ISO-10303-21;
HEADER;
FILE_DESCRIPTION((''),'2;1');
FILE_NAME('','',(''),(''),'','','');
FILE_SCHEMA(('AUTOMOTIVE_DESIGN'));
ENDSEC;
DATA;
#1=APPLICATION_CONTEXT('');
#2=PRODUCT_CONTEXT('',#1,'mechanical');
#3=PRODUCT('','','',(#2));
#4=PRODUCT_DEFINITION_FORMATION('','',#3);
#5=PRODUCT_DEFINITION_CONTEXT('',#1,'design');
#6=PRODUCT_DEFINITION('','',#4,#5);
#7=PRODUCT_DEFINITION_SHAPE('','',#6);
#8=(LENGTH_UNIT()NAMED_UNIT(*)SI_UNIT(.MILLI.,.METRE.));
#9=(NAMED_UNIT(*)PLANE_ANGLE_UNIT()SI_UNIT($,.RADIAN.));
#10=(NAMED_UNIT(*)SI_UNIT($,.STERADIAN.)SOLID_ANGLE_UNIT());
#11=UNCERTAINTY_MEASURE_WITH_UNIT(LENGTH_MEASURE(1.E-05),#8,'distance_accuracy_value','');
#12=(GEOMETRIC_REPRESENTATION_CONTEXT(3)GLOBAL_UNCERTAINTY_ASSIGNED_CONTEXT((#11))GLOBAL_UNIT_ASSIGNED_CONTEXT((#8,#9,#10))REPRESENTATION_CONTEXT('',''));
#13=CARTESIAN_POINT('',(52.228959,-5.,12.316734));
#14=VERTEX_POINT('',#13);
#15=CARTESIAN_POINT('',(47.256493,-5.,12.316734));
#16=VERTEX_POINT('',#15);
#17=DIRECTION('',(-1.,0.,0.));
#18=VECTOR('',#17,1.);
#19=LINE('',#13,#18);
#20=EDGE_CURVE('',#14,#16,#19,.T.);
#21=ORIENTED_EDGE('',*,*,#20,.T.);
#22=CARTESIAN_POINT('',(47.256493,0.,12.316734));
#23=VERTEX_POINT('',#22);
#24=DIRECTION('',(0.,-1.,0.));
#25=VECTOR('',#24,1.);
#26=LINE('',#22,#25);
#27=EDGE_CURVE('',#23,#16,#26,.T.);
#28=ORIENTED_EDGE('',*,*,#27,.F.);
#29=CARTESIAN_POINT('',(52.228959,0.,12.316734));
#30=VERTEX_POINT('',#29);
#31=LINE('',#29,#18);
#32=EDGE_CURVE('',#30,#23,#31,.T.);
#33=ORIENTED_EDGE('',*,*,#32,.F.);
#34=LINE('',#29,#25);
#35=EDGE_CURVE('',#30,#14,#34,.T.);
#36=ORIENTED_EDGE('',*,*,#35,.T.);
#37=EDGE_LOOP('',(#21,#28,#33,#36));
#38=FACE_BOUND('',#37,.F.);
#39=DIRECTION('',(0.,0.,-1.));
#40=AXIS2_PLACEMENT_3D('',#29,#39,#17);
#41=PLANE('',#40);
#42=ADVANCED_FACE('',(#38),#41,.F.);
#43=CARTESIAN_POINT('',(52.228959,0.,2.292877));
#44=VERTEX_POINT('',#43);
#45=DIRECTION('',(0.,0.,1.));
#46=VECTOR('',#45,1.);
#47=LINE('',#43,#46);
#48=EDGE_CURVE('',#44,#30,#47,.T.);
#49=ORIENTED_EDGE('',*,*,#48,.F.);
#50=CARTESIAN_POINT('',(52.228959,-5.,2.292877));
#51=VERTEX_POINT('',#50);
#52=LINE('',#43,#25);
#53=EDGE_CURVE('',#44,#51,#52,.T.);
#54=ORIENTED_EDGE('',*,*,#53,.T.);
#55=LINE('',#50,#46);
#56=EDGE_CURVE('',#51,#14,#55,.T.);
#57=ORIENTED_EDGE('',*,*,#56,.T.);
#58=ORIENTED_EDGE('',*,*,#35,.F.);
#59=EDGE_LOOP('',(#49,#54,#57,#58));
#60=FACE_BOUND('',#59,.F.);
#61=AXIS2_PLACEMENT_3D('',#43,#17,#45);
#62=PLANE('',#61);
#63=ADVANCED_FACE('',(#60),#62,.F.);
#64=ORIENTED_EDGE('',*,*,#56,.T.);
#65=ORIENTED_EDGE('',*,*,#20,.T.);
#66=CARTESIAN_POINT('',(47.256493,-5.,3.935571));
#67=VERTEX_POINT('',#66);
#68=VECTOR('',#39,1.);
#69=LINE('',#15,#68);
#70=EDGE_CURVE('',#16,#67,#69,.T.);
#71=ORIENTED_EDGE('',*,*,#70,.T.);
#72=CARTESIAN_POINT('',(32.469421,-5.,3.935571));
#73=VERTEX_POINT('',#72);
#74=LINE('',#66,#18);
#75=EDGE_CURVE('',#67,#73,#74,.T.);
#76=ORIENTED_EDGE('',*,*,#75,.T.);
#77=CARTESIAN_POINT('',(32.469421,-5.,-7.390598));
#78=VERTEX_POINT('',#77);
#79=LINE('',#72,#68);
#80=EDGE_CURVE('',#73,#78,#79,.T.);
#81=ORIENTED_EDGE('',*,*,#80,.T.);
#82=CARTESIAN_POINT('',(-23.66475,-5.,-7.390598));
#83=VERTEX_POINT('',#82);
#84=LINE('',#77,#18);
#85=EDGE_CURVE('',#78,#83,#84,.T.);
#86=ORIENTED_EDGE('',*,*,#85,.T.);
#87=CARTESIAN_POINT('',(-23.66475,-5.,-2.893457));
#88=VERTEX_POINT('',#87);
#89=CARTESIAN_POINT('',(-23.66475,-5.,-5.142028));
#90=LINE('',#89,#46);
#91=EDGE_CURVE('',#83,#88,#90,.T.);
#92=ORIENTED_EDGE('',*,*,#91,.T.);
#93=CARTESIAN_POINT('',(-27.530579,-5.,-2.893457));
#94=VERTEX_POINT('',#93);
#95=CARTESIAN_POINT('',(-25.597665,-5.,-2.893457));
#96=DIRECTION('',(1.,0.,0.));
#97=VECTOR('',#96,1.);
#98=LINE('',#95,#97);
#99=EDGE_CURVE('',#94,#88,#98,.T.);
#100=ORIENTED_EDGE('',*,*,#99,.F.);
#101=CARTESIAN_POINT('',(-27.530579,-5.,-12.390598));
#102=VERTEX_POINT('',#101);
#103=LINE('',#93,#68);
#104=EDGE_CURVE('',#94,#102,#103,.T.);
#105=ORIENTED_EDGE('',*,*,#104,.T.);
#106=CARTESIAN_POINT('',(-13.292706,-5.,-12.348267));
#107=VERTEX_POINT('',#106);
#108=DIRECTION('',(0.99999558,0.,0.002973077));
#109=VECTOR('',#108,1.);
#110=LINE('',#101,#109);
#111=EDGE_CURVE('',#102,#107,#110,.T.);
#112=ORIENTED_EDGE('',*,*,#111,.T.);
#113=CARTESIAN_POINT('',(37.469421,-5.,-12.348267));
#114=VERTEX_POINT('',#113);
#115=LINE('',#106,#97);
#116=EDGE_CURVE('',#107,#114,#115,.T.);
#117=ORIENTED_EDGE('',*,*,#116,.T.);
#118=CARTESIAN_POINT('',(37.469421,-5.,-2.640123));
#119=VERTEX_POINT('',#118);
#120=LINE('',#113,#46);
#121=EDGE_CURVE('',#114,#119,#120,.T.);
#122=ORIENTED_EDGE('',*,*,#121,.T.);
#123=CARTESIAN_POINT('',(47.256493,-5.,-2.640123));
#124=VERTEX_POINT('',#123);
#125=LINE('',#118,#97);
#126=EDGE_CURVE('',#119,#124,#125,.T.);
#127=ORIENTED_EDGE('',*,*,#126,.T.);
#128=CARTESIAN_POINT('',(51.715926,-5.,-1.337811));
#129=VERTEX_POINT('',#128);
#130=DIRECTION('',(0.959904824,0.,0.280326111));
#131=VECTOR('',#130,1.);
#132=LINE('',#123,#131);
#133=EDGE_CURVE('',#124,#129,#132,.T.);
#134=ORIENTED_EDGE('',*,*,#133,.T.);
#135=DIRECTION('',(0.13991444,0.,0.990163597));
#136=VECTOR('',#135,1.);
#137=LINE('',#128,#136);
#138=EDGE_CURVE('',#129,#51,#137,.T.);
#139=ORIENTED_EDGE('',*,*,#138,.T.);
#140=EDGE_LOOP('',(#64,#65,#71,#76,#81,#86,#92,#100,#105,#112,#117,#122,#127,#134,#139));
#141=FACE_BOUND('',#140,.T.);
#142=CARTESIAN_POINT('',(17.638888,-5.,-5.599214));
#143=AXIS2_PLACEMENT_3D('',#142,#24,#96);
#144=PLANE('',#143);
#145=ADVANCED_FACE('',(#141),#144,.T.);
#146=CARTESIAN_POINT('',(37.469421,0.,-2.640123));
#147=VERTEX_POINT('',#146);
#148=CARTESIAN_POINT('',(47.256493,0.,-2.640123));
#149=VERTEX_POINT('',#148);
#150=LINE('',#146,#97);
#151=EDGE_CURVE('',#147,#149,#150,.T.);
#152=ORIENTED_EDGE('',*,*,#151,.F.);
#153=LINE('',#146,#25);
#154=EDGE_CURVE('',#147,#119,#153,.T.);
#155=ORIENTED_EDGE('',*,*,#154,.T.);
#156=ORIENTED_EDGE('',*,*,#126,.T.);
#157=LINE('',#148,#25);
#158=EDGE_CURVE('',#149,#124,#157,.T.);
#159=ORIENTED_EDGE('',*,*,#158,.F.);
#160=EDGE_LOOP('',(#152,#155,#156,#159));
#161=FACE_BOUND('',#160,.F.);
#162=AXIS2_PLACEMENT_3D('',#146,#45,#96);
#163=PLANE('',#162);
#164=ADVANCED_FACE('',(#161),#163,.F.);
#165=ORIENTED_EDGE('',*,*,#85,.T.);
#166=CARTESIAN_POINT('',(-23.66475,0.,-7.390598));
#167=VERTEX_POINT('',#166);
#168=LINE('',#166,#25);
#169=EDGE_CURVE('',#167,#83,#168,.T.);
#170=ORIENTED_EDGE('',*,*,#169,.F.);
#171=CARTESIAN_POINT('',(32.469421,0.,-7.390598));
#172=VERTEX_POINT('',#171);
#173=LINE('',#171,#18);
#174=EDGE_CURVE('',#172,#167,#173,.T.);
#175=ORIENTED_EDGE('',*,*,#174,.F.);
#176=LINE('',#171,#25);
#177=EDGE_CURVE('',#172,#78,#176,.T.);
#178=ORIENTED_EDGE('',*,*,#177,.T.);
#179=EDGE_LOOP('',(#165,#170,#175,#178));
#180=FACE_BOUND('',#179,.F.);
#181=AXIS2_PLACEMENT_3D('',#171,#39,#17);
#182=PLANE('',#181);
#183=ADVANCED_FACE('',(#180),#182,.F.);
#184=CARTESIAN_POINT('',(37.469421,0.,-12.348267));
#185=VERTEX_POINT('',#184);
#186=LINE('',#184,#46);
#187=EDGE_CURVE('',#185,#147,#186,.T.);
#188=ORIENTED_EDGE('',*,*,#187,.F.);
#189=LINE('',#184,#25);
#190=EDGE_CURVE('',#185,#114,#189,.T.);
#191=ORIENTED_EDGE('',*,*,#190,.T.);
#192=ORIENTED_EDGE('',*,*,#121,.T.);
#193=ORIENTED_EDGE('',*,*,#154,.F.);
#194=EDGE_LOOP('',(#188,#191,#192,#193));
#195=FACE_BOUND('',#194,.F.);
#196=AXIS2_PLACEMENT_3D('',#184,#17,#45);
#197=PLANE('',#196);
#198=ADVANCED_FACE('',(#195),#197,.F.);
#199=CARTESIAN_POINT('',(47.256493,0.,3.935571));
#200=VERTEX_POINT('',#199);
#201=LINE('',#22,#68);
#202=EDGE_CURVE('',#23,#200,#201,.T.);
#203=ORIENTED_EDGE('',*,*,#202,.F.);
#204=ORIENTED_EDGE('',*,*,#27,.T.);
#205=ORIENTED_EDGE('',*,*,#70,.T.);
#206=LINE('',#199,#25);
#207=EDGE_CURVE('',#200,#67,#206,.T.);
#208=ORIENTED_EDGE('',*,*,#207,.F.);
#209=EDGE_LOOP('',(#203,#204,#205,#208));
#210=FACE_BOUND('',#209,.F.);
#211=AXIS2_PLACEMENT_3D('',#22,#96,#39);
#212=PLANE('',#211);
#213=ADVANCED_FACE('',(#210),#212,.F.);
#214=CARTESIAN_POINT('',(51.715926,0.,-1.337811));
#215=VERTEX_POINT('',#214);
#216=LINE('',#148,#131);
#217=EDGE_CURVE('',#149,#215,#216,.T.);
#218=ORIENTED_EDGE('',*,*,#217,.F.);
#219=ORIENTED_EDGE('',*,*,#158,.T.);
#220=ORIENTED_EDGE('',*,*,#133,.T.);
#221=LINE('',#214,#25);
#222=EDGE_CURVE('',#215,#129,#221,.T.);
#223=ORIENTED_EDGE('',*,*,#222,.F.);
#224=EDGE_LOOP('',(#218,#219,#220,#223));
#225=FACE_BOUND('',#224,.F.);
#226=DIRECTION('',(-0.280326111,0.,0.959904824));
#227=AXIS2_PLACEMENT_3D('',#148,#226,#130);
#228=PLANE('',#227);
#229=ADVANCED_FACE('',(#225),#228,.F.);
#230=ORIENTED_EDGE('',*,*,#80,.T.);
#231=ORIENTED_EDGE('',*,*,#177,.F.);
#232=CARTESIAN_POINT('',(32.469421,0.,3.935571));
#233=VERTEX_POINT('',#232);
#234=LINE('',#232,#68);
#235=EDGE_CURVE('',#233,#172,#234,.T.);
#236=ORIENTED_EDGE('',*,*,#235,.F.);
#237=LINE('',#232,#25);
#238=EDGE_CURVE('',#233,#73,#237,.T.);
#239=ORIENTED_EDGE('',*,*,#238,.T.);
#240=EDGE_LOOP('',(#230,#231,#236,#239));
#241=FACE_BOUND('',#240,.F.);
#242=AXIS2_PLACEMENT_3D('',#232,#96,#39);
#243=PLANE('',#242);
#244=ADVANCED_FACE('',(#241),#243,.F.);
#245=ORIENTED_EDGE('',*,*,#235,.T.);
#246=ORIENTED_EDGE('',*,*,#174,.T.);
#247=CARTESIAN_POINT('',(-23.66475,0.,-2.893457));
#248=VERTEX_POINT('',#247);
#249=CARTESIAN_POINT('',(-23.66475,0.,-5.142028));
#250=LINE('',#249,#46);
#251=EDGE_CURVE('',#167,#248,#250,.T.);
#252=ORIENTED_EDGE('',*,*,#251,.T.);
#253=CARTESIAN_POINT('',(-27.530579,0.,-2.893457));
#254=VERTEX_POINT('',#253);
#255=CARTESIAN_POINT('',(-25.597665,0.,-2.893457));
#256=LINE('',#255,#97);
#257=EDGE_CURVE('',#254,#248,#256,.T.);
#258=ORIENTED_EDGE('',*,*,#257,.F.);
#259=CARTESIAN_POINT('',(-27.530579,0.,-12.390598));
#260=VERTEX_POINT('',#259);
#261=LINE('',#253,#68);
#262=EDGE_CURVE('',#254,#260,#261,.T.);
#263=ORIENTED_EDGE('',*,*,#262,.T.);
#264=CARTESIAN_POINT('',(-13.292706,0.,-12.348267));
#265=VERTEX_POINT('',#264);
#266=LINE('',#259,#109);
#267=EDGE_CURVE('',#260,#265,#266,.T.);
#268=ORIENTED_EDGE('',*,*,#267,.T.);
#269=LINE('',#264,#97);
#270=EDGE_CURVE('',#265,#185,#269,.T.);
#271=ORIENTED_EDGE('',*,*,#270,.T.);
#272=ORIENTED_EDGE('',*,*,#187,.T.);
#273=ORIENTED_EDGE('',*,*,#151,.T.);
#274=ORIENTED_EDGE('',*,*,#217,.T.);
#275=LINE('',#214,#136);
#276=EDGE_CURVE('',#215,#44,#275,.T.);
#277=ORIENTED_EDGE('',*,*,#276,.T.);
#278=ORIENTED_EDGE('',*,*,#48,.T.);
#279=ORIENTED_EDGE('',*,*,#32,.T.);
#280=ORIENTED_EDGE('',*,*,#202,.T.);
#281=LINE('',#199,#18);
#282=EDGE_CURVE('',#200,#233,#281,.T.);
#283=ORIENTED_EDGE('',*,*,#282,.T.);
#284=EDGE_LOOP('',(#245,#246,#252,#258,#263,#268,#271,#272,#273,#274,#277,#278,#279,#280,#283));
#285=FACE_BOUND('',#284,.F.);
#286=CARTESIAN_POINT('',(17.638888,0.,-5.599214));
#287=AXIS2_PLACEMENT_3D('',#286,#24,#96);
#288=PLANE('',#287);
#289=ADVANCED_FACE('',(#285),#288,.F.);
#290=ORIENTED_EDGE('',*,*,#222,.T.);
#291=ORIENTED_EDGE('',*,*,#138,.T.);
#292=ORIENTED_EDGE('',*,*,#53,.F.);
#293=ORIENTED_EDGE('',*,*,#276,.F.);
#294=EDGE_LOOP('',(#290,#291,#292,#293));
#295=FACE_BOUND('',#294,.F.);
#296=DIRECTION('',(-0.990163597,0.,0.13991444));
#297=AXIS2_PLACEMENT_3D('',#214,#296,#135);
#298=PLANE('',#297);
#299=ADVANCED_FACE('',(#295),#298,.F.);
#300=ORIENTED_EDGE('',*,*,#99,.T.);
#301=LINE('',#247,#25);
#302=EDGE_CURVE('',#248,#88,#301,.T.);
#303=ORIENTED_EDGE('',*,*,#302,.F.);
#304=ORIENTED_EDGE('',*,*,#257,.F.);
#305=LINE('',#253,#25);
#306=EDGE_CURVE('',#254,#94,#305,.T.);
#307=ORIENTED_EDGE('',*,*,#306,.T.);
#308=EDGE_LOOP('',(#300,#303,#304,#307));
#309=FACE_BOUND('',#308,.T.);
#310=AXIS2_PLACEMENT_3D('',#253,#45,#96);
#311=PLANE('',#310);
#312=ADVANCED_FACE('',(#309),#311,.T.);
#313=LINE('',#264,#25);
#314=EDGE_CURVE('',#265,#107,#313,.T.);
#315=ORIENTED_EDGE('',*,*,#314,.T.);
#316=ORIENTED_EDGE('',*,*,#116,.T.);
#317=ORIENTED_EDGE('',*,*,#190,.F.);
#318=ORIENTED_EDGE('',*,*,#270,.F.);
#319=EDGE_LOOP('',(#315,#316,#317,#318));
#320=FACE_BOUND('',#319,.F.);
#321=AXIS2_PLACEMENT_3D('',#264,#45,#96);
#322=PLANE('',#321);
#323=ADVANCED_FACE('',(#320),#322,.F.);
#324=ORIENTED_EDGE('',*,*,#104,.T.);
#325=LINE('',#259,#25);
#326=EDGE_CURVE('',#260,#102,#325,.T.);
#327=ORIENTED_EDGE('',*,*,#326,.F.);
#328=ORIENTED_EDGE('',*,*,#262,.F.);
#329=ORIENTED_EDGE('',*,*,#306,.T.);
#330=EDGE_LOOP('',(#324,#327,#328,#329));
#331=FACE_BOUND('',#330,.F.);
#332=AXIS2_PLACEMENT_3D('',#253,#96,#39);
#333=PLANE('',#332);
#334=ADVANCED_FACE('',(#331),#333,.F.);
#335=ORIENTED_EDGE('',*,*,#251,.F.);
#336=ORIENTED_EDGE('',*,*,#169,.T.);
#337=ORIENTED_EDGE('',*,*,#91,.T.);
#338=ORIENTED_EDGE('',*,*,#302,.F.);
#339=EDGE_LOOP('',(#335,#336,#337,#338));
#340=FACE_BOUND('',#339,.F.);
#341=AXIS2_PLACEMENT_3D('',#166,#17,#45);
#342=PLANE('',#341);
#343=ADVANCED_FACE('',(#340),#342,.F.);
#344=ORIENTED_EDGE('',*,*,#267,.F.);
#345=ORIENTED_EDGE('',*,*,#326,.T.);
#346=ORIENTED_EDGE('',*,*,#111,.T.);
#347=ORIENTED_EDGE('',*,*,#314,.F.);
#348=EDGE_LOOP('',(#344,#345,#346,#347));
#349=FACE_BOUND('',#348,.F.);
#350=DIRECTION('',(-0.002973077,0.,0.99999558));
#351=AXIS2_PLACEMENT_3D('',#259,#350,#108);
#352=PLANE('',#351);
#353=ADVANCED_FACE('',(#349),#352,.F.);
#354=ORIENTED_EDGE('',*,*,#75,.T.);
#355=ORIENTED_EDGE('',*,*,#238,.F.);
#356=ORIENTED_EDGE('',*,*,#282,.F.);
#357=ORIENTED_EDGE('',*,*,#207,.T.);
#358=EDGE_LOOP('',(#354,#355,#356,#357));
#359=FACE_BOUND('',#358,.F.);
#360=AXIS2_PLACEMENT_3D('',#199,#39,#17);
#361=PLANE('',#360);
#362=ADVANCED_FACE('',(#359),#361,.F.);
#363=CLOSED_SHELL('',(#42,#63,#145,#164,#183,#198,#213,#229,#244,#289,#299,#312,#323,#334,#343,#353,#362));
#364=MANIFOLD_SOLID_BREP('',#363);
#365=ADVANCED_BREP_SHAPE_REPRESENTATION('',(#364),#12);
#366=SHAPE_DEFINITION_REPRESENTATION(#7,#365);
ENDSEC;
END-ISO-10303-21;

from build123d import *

# Parameters (mm, degrees)
F0_W     = 3.8658287376
F0_H     = 4.4971403014
F1_DEPTH = 5


with BuildPart() as f1:
    # F0 (on Front) → F1 (new body)
    with BuildSketch(Plane.XZ):
        Polygon((-27.5305788964, -12.3905977234), (-13.2927056402, -12.3482672498), (37.4694211036, -12.3482672498), (37.4694211036, -2.6401227806), (47.2564931819, -2.6401227806), (51.7159264395, -1.3378107687), (52.2289585182, 2.292877296), (52.2289585182, 12.3167335987), (47.2564931819, 12.3167335987), (47.2564931819, 3.9355711732), (32.4694211036, 3.9355711732), (32.4694211036, -7.3905977234), (-10.1355845109, -7.3905977234), (-23.6647501588, -7.3905977234), (-27.5305788964, -7.3905977234), align=None)
        with Locations((-25.5976645276, -5.1420275727)):
            Rectangle(F0_W, F0_H)
    extrude(amount=F1_DEPTH)


solid = f1.part
